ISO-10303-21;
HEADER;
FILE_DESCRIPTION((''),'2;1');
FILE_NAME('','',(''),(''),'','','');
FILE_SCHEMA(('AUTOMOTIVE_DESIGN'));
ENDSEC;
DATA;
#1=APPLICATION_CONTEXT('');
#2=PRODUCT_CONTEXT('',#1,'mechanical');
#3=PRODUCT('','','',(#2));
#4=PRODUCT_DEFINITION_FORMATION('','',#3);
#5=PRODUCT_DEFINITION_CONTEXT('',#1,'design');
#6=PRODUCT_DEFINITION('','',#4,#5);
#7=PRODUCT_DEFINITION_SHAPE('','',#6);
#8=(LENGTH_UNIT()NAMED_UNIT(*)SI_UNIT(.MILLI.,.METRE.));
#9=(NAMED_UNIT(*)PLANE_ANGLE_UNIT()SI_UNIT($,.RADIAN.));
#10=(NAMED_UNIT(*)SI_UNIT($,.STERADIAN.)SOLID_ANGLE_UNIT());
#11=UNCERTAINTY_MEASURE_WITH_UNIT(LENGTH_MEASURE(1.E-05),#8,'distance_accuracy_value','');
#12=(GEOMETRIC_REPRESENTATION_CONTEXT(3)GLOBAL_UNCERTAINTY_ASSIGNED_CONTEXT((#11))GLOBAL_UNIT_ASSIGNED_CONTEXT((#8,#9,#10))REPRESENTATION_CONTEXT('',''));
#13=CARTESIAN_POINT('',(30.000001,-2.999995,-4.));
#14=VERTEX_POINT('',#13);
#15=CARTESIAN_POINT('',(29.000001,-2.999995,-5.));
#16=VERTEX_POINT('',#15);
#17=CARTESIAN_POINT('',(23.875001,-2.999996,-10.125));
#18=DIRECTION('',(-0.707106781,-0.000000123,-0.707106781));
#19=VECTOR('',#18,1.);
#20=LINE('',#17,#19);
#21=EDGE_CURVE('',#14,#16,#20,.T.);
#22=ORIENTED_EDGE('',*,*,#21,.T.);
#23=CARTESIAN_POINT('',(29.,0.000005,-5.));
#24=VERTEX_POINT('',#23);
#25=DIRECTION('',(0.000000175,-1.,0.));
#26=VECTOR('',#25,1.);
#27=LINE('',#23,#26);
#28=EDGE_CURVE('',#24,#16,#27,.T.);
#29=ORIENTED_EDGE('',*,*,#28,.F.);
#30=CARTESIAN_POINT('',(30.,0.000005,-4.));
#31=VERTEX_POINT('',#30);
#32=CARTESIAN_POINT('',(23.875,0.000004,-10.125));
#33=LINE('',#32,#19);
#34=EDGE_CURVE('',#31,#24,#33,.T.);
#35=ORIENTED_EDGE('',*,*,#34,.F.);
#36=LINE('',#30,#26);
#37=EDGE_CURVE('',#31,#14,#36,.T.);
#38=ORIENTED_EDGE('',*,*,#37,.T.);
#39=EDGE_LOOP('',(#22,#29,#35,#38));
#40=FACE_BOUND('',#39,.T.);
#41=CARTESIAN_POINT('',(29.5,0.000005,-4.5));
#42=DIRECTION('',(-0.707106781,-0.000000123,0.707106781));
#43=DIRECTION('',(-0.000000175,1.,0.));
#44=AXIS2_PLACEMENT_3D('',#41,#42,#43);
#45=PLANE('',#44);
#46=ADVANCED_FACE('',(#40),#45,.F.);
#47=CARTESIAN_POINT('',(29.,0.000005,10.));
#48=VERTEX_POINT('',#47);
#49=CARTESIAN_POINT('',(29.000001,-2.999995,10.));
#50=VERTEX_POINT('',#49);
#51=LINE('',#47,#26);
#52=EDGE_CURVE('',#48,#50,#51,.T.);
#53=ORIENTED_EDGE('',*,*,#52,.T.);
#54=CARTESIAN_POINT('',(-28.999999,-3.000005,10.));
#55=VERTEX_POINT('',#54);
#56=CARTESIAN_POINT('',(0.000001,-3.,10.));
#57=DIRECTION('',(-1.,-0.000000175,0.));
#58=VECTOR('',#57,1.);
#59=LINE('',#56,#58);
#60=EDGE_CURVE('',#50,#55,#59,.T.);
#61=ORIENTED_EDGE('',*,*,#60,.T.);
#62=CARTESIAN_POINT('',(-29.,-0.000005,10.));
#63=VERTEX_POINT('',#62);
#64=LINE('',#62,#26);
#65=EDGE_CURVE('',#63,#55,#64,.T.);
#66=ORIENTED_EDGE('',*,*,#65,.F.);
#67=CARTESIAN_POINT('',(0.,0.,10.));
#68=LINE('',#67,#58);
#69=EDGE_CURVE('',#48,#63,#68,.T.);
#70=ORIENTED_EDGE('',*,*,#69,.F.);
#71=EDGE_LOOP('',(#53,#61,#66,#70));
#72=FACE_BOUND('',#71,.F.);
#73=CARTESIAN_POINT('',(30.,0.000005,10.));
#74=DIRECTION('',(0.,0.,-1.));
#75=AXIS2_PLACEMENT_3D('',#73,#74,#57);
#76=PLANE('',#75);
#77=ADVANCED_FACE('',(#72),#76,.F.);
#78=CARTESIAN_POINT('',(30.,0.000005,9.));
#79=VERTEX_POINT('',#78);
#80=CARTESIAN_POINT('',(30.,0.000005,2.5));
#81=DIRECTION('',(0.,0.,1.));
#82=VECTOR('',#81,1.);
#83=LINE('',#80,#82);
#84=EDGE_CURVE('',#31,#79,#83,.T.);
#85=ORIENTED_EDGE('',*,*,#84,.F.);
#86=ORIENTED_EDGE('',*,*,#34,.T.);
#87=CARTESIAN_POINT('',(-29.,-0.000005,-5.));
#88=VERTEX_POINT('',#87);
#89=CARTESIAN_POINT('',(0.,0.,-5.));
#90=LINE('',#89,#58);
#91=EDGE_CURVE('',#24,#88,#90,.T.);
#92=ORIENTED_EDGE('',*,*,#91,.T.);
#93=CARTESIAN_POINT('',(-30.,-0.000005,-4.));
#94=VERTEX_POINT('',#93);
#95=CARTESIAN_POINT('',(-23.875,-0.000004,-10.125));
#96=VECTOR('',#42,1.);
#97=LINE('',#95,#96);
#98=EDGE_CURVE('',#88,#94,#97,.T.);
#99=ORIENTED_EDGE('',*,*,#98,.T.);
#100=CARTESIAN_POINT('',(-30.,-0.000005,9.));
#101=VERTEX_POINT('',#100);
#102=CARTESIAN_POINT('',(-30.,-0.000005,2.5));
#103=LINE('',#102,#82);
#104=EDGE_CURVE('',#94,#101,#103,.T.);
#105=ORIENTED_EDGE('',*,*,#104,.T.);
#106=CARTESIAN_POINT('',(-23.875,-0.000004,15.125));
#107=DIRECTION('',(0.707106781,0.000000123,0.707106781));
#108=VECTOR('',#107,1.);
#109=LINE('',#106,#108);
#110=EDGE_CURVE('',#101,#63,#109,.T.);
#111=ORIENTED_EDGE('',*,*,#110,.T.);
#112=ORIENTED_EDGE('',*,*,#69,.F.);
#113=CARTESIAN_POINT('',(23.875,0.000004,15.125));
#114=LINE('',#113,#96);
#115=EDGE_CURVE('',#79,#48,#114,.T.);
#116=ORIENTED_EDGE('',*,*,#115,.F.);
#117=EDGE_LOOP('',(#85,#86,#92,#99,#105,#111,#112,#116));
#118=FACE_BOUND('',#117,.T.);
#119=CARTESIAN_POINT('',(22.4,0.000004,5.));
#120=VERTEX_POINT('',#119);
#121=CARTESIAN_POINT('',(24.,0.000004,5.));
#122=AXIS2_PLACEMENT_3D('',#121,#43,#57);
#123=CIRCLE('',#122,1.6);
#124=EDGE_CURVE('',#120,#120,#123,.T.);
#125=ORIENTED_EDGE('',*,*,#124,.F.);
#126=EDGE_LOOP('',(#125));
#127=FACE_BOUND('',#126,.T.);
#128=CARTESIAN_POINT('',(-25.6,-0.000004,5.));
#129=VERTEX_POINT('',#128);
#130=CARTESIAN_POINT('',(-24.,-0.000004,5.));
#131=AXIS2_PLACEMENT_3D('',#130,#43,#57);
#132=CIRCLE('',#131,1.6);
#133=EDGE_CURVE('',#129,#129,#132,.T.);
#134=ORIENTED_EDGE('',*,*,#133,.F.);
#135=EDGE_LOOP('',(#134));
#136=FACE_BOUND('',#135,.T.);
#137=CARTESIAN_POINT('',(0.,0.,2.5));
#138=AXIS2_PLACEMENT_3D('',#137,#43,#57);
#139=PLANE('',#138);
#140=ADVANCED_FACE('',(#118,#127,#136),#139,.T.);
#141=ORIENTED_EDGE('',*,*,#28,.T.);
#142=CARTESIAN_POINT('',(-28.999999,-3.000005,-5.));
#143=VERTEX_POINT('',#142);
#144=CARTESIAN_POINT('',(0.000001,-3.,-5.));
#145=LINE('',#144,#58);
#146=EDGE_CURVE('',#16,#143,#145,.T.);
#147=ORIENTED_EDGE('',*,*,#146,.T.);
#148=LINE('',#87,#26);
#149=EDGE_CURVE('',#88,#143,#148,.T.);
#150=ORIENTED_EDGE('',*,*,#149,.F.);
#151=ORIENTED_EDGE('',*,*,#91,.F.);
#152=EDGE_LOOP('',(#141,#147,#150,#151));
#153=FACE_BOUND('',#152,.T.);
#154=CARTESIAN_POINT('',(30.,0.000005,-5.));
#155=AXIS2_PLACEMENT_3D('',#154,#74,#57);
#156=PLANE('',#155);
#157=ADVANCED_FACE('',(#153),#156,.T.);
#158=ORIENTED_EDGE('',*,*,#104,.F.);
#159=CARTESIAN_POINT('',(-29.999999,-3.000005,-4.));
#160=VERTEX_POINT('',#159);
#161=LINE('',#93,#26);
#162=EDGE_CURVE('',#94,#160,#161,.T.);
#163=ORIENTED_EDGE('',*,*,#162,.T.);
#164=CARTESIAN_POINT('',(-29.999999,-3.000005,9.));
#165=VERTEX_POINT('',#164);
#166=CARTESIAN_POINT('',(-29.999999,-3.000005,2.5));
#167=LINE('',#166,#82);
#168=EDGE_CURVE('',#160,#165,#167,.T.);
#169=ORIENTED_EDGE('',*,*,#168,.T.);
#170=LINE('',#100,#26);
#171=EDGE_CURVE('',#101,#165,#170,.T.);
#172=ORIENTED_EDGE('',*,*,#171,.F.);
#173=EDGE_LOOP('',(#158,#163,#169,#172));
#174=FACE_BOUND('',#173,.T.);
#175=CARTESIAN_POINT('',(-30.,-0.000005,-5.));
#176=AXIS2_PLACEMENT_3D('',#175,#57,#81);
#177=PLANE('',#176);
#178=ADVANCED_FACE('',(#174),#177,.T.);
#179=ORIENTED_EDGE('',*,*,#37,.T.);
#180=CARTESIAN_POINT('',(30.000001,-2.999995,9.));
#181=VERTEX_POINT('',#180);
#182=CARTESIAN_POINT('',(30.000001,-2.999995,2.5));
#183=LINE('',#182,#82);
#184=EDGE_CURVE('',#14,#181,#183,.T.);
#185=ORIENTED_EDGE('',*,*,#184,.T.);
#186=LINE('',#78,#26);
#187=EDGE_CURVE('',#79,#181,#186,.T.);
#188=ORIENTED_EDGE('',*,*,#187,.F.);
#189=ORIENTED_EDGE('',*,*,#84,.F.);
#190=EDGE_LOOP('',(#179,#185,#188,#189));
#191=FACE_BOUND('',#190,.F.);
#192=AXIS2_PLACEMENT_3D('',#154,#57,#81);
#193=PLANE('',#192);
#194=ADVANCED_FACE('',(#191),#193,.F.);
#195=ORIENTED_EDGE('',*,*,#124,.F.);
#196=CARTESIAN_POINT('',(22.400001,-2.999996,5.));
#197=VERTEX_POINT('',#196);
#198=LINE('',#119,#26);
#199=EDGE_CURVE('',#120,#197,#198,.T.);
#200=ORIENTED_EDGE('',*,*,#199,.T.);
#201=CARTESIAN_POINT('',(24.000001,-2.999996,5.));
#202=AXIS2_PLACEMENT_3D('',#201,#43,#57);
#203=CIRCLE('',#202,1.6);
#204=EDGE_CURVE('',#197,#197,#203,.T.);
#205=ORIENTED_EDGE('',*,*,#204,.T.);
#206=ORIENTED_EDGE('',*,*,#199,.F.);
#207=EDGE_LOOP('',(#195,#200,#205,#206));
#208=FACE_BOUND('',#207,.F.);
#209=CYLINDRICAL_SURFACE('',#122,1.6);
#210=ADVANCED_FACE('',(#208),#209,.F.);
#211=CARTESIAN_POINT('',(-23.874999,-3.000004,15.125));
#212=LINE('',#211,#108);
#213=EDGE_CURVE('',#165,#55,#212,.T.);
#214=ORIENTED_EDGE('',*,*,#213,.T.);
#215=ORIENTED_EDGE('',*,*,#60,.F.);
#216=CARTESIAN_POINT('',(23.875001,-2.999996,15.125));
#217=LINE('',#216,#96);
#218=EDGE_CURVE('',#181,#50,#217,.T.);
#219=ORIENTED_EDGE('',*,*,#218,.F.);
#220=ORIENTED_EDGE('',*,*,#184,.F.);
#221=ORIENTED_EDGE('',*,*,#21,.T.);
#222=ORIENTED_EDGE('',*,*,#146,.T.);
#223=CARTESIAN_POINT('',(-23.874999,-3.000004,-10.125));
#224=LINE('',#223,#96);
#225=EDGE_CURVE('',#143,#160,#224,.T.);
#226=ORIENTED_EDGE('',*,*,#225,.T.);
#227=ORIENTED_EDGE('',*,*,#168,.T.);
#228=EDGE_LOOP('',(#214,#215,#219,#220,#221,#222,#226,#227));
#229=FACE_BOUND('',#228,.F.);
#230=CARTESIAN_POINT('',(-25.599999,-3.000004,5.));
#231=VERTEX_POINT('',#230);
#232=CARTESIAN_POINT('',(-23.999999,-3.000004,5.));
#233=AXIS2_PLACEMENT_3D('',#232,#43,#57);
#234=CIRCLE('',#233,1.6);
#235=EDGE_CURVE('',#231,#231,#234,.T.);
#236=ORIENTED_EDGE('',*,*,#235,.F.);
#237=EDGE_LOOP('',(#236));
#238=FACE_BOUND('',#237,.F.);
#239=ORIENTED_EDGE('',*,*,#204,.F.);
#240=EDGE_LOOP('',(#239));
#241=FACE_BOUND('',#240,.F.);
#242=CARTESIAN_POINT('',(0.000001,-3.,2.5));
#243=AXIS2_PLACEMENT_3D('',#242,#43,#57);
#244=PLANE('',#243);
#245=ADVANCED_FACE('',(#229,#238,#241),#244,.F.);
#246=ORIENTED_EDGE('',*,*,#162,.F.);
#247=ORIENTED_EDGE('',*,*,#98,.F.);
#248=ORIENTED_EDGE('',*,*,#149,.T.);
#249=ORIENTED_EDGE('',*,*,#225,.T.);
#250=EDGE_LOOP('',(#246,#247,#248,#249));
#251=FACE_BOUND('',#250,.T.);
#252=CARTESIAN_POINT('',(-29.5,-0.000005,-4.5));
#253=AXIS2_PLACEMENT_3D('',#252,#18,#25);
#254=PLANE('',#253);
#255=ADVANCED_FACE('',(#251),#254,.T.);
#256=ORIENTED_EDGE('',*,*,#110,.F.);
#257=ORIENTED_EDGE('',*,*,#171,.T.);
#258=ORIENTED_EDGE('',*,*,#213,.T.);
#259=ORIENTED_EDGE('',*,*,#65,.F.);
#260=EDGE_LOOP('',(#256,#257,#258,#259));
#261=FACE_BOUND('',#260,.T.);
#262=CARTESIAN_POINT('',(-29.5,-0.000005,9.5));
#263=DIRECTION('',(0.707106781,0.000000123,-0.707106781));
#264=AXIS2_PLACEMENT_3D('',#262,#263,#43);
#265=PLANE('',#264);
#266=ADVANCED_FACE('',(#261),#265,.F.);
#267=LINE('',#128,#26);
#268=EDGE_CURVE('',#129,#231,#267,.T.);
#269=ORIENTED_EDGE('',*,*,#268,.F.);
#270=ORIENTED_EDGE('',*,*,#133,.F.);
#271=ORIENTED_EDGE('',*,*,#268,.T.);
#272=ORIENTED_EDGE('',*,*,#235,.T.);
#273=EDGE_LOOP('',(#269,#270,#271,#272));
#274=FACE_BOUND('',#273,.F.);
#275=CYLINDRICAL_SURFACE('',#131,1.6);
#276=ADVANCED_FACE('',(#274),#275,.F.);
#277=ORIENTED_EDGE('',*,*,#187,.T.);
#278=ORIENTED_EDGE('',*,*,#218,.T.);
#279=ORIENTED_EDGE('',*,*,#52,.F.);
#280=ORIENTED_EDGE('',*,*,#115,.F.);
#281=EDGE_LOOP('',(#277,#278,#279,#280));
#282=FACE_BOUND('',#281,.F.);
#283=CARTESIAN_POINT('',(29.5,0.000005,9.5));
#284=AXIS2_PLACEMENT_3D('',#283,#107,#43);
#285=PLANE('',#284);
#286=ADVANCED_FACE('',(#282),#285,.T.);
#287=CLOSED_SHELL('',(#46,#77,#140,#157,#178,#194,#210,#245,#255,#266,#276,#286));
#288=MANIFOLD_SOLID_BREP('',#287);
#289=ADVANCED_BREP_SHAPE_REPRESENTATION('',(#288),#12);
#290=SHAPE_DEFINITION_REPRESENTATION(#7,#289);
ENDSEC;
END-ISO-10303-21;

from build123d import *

# Parameters (mm, degrees)
SKETCH001_W             = 60
SKETCH001_H             = 15
PAD001_DEPTH            = 3
CHAMFER_SIZE            = 1
SKETCH005_R             = 1.6
POCKET002_DEPTH         = 3.001
BODY001_PLACEMENT_ANGLE = 90.00001


with BuildPart() as part:
    # Sketch001 → Pad001 (new body)
    with BuildSketch(Plane.YZ):
        with Locations((0, 2.5)):
            Rectangle(SKETCH001_W, SKETCH001_H)
    extrude(amount=-PAD001_DEPTH)

    # Chamfer
    chamfer_edges = [part.edges().sort_by_distance(p)[0] for p in [
        (-1.5, 30, 10),
        (-1.5, -30, 10),
        (-1.5, -30, -5),
        (-1.5, 30, -5),
    ]]
    chamfer(chamfer_edges, length=CHAMFER_SIZE)

    # Sketch005 → Pocket002 (cut, through all)
    with BuildSketch(Plane.YZ):
        with Locations((-24, 5)):
            Circle(SKETCH005_R)
        with Locations((24, 5)):
            Circle(SKETCH005_R)
    extrude(amount=-POCKET002_DEPTH, mode=Mode.SUBTRACT)


with BuildPart() as part_1:
    # Body001 placement: moved
    add(part.part.rotate(Axis((0, 0, 0), (0, 0, 1)), BODY001_PLACEMENT_ANGLE))


solid = part_1.part
